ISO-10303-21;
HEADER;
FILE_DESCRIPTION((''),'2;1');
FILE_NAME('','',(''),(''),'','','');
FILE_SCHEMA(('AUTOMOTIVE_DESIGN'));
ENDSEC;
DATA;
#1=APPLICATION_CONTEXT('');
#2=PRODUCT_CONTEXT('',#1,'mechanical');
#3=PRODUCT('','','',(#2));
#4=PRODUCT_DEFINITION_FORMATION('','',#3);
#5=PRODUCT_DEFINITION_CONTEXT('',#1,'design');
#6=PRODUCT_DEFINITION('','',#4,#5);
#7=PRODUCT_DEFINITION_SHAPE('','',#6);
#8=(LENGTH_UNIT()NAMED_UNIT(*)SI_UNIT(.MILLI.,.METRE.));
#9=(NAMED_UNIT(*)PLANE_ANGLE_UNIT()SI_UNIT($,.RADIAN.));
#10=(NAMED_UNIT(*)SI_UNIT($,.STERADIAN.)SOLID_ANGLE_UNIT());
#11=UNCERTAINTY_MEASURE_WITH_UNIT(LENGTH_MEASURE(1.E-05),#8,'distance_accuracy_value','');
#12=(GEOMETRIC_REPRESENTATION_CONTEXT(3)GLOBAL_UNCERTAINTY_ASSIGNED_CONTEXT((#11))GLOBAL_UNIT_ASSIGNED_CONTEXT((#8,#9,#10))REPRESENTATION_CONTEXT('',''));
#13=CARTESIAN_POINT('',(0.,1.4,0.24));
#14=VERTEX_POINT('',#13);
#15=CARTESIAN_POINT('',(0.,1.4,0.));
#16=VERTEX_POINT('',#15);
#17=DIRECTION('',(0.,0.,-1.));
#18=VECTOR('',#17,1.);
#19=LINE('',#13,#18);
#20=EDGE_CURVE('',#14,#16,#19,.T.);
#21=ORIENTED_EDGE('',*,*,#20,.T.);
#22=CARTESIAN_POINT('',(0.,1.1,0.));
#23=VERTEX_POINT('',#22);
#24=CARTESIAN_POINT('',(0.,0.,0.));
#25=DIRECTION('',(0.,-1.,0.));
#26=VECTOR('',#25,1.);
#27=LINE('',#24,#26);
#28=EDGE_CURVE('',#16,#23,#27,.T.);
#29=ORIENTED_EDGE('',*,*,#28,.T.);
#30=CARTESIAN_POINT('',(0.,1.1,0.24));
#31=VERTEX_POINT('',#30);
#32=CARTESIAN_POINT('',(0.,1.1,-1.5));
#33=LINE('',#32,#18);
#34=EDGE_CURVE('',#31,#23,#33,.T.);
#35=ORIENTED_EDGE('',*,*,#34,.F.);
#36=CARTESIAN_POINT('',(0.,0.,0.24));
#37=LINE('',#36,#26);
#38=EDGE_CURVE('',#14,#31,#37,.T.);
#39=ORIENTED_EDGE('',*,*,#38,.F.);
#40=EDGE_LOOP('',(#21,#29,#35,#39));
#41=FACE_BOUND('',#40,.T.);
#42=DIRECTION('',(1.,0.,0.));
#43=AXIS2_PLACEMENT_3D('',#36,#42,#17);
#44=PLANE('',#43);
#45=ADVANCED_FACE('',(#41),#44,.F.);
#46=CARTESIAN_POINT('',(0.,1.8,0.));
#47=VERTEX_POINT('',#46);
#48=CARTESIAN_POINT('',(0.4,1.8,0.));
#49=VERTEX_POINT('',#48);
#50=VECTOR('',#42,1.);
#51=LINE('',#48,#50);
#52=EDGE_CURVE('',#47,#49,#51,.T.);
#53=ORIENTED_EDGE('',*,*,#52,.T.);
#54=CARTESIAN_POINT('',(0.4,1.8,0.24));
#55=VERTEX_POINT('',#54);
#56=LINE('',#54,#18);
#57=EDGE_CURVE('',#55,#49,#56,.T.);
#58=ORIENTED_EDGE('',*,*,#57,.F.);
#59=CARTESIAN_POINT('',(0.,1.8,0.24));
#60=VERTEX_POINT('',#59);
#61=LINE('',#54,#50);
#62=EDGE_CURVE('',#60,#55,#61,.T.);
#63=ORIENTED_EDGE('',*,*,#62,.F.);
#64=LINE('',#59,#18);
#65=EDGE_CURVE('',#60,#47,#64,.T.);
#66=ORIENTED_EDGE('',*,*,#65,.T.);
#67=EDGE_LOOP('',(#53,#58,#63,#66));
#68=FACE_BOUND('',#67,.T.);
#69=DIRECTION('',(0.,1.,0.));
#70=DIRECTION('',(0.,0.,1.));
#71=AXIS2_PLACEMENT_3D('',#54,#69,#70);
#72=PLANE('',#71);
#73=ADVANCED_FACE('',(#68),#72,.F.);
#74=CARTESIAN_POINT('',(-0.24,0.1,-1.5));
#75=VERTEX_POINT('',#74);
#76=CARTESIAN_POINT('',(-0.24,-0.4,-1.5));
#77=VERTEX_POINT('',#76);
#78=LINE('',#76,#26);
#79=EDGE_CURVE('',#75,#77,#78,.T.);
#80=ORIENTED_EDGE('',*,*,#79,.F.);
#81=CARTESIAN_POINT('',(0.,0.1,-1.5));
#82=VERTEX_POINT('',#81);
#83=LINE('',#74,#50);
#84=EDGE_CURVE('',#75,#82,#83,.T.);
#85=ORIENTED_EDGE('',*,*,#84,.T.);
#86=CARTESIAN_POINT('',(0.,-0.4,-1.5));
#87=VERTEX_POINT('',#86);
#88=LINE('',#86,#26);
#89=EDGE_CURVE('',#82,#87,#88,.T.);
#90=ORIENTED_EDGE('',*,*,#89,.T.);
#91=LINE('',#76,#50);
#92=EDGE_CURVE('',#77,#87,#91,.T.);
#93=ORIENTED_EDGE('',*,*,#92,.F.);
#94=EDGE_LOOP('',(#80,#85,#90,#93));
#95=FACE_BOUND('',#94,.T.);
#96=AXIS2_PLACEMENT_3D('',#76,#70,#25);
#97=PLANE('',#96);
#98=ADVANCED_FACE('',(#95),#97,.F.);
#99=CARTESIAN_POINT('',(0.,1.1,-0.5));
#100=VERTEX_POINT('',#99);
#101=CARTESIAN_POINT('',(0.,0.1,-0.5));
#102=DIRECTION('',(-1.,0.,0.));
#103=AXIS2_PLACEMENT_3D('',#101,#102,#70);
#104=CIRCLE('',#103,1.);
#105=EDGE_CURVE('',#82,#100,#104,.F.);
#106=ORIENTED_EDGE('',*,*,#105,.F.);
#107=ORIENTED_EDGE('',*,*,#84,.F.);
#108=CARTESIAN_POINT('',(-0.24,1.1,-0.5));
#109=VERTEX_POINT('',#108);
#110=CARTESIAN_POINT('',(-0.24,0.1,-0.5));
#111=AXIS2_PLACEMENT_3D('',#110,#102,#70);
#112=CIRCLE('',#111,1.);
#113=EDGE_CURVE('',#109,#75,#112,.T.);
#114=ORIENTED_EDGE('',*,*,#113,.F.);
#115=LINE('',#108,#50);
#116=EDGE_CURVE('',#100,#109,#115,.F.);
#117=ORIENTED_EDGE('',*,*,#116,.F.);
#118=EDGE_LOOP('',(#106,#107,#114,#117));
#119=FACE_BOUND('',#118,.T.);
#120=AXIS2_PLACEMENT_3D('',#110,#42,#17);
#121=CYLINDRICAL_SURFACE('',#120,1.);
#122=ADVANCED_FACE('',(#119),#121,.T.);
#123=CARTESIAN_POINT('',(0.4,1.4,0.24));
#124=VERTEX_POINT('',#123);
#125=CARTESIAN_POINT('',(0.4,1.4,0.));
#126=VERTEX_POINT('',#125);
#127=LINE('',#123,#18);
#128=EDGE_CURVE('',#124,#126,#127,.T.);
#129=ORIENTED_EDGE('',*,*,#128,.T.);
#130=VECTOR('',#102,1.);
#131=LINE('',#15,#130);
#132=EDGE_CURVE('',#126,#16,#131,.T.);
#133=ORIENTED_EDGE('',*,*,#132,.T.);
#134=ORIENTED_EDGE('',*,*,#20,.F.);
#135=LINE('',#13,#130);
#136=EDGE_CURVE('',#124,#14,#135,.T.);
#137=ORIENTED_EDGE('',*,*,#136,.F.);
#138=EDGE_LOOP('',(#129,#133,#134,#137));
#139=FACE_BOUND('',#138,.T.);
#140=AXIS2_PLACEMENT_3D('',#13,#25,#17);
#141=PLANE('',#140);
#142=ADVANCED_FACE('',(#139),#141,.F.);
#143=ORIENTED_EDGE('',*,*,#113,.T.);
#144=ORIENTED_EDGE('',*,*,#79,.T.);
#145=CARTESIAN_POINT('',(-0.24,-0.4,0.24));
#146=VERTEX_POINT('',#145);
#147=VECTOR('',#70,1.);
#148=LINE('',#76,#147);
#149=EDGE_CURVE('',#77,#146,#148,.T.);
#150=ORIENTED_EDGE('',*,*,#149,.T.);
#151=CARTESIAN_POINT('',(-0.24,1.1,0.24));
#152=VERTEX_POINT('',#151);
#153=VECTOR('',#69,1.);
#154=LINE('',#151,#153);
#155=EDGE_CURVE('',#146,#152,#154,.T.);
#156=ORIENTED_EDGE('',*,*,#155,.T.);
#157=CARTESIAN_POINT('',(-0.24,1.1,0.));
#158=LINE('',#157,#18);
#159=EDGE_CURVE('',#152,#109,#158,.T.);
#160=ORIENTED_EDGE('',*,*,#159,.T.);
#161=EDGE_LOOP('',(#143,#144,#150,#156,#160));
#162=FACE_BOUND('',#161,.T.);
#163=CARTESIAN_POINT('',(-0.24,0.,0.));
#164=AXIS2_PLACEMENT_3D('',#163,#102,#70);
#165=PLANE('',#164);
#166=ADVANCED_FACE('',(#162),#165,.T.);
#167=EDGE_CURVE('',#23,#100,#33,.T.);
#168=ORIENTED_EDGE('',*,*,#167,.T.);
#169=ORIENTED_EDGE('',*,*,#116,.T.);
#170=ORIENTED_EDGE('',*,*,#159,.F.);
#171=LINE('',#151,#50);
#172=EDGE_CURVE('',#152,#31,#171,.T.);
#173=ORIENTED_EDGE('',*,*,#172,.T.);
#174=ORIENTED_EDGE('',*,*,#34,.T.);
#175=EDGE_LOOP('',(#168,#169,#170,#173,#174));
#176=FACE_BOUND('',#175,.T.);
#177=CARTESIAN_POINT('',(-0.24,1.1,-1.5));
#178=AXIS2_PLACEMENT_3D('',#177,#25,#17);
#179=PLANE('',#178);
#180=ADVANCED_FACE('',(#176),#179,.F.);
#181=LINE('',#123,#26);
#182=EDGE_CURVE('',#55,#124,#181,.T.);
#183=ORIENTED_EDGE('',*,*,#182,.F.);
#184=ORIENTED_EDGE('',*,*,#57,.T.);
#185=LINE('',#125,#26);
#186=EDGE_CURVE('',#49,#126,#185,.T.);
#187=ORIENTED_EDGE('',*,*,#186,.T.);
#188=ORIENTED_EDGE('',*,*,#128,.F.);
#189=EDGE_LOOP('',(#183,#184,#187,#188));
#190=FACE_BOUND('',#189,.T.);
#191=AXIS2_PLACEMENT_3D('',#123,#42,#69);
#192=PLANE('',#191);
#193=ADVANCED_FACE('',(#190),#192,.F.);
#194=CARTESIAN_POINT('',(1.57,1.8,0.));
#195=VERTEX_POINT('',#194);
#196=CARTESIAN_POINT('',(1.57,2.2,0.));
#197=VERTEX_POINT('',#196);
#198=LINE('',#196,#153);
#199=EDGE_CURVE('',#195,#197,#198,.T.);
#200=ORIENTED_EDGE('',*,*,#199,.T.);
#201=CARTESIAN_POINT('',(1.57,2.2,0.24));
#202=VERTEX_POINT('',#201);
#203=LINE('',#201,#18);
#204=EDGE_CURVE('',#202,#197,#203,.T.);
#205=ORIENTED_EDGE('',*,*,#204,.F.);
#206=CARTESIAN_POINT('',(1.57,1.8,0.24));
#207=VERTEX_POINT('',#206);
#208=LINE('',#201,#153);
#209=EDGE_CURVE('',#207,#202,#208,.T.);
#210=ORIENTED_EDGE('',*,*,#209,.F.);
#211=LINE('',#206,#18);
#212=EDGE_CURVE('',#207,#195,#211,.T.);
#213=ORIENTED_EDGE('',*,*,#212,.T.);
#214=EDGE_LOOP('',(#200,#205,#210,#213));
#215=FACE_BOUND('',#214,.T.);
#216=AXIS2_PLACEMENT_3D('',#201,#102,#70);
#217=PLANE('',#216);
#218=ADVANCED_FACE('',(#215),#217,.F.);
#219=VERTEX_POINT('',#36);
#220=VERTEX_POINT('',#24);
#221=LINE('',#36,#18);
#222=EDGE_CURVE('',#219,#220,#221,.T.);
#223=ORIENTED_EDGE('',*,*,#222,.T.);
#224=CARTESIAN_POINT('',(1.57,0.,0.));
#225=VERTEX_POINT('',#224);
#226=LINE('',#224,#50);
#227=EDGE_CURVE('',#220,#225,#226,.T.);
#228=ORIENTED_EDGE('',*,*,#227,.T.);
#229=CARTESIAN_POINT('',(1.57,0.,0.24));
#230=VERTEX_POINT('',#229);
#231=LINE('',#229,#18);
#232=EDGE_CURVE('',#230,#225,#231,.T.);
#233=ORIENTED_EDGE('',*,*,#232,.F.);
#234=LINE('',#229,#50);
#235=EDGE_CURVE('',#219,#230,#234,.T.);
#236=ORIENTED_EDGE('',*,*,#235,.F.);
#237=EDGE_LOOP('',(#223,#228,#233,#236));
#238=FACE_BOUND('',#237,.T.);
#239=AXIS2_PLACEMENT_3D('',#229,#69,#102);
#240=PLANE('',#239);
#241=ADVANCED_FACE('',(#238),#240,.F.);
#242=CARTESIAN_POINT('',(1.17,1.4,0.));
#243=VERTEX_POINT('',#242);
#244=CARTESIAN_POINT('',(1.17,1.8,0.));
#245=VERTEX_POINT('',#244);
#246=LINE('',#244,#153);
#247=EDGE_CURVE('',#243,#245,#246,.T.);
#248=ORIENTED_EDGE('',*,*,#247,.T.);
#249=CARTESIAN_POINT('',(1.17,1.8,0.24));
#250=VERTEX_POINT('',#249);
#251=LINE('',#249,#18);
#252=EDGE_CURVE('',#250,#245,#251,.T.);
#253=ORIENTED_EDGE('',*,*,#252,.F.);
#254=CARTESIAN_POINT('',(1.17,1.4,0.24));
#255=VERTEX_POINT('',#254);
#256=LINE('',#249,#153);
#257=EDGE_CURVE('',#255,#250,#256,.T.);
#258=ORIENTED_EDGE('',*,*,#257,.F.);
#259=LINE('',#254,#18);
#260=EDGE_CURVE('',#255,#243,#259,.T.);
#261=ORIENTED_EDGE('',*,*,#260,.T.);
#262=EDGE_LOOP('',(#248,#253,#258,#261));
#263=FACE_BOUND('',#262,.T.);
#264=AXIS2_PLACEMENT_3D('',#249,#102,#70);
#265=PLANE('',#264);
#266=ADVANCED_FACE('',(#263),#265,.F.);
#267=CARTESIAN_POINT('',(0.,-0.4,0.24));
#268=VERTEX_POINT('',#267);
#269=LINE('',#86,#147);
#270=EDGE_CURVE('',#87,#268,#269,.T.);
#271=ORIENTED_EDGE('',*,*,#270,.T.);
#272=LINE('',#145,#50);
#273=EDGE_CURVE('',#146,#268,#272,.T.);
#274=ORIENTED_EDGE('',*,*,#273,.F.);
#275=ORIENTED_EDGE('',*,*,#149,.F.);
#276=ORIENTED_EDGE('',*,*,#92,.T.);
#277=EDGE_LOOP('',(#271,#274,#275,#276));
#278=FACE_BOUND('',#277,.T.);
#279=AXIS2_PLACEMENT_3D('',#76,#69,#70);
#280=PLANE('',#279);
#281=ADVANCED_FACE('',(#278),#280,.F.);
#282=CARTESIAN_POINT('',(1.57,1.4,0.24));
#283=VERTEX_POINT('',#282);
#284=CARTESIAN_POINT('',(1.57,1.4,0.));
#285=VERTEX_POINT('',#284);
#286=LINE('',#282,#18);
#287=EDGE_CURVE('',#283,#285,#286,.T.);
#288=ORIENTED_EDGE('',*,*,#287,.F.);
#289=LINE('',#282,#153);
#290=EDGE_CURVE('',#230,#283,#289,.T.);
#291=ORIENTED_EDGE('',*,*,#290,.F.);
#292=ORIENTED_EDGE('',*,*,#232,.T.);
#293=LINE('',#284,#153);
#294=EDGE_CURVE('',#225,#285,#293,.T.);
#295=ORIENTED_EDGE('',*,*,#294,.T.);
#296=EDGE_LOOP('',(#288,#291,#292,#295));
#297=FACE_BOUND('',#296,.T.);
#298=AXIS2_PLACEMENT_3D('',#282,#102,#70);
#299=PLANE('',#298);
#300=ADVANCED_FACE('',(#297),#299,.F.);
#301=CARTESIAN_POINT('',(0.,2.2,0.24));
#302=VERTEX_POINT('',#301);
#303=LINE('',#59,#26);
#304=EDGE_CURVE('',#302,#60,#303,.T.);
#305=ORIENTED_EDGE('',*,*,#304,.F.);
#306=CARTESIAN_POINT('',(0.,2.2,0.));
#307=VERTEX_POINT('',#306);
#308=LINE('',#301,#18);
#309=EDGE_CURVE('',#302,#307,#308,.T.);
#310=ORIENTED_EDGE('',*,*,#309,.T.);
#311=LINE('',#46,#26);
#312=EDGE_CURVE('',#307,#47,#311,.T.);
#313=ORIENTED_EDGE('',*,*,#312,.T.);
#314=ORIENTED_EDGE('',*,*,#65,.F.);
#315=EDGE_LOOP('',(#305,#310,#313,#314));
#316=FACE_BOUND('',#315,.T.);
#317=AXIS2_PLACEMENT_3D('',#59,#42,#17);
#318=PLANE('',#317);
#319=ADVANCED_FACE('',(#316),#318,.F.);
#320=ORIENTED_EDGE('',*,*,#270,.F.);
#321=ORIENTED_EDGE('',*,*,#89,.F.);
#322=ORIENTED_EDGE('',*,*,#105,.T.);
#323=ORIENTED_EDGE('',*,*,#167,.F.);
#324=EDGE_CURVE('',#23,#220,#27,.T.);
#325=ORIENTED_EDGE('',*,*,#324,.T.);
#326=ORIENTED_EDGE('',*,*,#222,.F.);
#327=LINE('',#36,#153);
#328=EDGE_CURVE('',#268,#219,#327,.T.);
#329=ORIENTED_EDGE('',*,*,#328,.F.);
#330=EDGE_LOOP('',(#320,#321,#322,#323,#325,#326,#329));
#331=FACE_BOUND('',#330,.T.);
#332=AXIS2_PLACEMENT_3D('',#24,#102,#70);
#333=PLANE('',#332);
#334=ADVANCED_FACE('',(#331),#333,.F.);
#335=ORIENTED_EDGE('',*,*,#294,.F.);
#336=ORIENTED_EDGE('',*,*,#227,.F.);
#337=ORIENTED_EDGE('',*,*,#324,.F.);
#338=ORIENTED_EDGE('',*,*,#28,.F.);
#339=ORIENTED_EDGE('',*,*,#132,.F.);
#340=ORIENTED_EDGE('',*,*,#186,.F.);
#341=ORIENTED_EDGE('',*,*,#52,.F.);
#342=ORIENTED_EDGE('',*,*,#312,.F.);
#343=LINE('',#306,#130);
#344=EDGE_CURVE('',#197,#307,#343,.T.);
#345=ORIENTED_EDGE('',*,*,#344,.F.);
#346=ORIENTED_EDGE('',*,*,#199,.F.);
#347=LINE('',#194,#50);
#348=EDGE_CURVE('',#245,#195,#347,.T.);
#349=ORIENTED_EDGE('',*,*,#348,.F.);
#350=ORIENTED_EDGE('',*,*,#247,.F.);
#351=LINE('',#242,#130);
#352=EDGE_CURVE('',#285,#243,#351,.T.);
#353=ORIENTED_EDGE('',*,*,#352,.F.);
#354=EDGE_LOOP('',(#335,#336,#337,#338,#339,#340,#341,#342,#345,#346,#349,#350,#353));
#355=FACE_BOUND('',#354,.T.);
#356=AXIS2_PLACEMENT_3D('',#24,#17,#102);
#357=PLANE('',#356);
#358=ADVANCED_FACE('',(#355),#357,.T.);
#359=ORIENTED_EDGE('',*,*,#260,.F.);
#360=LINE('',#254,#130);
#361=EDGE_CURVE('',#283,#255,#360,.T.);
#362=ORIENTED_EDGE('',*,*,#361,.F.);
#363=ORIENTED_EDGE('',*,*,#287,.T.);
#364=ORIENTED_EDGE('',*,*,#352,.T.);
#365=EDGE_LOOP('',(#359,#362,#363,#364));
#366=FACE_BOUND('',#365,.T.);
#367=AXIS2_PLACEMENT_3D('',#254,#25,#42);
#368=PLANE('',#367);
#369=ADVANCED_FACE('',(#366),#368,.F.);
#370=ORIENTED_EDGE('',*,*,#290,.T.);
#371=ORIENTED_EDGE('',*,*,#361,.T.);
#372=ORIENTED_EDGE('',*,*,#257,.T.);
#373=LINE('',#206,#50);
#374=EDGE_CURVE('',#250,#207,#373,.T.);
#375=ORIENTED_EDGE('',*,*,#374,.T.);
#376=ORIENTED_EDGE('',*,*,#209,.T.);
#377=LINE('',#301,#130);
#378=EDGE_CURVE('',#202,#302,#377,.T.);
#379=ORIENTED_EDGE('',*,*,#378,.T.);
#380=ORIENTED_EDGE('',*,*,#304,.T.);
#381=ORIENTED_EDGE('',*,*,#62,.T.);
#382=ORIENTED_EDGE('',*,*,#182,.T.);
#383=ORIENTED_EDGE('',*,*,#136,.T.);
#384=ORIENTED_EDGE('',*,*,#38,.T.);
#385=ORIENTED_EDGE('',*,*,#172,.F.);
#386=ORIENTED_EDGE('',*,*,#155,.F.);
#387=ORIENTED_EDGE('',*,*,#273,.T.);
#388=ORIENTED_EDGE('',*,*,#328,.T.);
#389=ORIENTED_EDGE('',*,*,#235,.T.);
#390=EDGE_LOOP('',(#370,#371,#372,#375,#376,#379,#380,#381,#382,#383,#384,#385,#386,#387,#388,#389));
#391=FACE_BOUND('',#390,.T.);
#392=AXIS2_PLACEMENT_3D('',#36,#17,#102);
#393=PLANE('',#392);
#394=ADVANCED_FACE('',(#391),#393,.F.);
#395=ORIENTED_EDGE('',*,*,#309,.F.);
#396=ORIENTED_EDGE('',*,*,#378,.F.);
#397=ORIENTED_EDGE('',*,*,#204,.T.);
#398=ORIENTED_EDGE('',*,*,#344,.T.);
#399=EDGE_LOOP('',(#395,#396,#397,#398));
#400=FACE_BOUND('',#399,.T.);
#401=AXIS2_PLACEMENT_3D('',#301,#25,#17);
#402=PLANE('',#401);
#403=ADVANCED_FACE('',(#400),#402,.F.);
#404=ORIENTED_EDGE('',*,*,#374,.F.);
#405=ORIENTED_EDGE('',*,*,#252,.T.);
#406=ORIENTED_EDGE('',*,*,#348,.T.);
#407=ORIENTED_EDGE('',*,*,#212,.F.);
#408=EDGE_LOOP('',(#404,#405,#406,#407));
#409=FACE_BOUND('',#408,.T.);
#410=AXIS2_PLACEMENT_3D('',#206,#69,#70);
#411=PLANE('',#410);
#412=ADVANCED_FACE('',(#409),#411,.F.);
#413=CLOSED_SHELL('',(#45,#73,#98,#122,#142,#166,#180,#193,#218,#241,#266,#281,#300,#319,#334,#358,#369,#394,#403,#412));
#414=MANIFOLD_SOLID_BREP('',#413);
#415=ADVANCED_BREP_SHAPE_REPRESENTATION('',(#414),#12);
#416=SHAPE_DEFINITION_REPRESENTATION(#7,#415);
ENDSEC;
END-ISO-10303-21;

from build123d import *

# Parameters (mm, degrees)
BOSS_EXTRUDE1_DEPTH = 0.24
BOSS_EXTRUDE2_DEPTH = 0.24
FILLET1_R           = 1


with BuildPart() as part:
    # Sketch1 → Boss-Extrude1 (new body)
    with BuildSketch(Plane.XY):
        Polygon((0, 0), (0, 1.4), (0.4, 1.4), (0.4, 1.8), (0, 1.8), (0, 2.2), (1.57, 2.2), (1.57, 1.8), (1.17, 1.8), (1.17, 1.4), (1.57, 1.4), (1.57, 0), align=None)
    extrude(amount=BOSS_EXTRUDE1_DEPTH)

    # Sketch2 → Boss-Extrude2 (add)
    with BuildSketch(Plane.ZY):
        Polygon((0.24, 0), (0.24, -0.4), (-1.5, -0.4), (-1.5, 1.1), (0, 1.1), (0.24, 1.1), align=None)
    extrude(amount=BOSS_EXTRUDE2_DEPTH)

    # Fillet1
    fillet1_edges = [part.edges().sort_by_distance(p)[0] for p in [
        (-0.12, 1.1, -1.5),
    ]]
    fillet(fillet1_edges, radius=FILLET1_R)


solid = part.part
